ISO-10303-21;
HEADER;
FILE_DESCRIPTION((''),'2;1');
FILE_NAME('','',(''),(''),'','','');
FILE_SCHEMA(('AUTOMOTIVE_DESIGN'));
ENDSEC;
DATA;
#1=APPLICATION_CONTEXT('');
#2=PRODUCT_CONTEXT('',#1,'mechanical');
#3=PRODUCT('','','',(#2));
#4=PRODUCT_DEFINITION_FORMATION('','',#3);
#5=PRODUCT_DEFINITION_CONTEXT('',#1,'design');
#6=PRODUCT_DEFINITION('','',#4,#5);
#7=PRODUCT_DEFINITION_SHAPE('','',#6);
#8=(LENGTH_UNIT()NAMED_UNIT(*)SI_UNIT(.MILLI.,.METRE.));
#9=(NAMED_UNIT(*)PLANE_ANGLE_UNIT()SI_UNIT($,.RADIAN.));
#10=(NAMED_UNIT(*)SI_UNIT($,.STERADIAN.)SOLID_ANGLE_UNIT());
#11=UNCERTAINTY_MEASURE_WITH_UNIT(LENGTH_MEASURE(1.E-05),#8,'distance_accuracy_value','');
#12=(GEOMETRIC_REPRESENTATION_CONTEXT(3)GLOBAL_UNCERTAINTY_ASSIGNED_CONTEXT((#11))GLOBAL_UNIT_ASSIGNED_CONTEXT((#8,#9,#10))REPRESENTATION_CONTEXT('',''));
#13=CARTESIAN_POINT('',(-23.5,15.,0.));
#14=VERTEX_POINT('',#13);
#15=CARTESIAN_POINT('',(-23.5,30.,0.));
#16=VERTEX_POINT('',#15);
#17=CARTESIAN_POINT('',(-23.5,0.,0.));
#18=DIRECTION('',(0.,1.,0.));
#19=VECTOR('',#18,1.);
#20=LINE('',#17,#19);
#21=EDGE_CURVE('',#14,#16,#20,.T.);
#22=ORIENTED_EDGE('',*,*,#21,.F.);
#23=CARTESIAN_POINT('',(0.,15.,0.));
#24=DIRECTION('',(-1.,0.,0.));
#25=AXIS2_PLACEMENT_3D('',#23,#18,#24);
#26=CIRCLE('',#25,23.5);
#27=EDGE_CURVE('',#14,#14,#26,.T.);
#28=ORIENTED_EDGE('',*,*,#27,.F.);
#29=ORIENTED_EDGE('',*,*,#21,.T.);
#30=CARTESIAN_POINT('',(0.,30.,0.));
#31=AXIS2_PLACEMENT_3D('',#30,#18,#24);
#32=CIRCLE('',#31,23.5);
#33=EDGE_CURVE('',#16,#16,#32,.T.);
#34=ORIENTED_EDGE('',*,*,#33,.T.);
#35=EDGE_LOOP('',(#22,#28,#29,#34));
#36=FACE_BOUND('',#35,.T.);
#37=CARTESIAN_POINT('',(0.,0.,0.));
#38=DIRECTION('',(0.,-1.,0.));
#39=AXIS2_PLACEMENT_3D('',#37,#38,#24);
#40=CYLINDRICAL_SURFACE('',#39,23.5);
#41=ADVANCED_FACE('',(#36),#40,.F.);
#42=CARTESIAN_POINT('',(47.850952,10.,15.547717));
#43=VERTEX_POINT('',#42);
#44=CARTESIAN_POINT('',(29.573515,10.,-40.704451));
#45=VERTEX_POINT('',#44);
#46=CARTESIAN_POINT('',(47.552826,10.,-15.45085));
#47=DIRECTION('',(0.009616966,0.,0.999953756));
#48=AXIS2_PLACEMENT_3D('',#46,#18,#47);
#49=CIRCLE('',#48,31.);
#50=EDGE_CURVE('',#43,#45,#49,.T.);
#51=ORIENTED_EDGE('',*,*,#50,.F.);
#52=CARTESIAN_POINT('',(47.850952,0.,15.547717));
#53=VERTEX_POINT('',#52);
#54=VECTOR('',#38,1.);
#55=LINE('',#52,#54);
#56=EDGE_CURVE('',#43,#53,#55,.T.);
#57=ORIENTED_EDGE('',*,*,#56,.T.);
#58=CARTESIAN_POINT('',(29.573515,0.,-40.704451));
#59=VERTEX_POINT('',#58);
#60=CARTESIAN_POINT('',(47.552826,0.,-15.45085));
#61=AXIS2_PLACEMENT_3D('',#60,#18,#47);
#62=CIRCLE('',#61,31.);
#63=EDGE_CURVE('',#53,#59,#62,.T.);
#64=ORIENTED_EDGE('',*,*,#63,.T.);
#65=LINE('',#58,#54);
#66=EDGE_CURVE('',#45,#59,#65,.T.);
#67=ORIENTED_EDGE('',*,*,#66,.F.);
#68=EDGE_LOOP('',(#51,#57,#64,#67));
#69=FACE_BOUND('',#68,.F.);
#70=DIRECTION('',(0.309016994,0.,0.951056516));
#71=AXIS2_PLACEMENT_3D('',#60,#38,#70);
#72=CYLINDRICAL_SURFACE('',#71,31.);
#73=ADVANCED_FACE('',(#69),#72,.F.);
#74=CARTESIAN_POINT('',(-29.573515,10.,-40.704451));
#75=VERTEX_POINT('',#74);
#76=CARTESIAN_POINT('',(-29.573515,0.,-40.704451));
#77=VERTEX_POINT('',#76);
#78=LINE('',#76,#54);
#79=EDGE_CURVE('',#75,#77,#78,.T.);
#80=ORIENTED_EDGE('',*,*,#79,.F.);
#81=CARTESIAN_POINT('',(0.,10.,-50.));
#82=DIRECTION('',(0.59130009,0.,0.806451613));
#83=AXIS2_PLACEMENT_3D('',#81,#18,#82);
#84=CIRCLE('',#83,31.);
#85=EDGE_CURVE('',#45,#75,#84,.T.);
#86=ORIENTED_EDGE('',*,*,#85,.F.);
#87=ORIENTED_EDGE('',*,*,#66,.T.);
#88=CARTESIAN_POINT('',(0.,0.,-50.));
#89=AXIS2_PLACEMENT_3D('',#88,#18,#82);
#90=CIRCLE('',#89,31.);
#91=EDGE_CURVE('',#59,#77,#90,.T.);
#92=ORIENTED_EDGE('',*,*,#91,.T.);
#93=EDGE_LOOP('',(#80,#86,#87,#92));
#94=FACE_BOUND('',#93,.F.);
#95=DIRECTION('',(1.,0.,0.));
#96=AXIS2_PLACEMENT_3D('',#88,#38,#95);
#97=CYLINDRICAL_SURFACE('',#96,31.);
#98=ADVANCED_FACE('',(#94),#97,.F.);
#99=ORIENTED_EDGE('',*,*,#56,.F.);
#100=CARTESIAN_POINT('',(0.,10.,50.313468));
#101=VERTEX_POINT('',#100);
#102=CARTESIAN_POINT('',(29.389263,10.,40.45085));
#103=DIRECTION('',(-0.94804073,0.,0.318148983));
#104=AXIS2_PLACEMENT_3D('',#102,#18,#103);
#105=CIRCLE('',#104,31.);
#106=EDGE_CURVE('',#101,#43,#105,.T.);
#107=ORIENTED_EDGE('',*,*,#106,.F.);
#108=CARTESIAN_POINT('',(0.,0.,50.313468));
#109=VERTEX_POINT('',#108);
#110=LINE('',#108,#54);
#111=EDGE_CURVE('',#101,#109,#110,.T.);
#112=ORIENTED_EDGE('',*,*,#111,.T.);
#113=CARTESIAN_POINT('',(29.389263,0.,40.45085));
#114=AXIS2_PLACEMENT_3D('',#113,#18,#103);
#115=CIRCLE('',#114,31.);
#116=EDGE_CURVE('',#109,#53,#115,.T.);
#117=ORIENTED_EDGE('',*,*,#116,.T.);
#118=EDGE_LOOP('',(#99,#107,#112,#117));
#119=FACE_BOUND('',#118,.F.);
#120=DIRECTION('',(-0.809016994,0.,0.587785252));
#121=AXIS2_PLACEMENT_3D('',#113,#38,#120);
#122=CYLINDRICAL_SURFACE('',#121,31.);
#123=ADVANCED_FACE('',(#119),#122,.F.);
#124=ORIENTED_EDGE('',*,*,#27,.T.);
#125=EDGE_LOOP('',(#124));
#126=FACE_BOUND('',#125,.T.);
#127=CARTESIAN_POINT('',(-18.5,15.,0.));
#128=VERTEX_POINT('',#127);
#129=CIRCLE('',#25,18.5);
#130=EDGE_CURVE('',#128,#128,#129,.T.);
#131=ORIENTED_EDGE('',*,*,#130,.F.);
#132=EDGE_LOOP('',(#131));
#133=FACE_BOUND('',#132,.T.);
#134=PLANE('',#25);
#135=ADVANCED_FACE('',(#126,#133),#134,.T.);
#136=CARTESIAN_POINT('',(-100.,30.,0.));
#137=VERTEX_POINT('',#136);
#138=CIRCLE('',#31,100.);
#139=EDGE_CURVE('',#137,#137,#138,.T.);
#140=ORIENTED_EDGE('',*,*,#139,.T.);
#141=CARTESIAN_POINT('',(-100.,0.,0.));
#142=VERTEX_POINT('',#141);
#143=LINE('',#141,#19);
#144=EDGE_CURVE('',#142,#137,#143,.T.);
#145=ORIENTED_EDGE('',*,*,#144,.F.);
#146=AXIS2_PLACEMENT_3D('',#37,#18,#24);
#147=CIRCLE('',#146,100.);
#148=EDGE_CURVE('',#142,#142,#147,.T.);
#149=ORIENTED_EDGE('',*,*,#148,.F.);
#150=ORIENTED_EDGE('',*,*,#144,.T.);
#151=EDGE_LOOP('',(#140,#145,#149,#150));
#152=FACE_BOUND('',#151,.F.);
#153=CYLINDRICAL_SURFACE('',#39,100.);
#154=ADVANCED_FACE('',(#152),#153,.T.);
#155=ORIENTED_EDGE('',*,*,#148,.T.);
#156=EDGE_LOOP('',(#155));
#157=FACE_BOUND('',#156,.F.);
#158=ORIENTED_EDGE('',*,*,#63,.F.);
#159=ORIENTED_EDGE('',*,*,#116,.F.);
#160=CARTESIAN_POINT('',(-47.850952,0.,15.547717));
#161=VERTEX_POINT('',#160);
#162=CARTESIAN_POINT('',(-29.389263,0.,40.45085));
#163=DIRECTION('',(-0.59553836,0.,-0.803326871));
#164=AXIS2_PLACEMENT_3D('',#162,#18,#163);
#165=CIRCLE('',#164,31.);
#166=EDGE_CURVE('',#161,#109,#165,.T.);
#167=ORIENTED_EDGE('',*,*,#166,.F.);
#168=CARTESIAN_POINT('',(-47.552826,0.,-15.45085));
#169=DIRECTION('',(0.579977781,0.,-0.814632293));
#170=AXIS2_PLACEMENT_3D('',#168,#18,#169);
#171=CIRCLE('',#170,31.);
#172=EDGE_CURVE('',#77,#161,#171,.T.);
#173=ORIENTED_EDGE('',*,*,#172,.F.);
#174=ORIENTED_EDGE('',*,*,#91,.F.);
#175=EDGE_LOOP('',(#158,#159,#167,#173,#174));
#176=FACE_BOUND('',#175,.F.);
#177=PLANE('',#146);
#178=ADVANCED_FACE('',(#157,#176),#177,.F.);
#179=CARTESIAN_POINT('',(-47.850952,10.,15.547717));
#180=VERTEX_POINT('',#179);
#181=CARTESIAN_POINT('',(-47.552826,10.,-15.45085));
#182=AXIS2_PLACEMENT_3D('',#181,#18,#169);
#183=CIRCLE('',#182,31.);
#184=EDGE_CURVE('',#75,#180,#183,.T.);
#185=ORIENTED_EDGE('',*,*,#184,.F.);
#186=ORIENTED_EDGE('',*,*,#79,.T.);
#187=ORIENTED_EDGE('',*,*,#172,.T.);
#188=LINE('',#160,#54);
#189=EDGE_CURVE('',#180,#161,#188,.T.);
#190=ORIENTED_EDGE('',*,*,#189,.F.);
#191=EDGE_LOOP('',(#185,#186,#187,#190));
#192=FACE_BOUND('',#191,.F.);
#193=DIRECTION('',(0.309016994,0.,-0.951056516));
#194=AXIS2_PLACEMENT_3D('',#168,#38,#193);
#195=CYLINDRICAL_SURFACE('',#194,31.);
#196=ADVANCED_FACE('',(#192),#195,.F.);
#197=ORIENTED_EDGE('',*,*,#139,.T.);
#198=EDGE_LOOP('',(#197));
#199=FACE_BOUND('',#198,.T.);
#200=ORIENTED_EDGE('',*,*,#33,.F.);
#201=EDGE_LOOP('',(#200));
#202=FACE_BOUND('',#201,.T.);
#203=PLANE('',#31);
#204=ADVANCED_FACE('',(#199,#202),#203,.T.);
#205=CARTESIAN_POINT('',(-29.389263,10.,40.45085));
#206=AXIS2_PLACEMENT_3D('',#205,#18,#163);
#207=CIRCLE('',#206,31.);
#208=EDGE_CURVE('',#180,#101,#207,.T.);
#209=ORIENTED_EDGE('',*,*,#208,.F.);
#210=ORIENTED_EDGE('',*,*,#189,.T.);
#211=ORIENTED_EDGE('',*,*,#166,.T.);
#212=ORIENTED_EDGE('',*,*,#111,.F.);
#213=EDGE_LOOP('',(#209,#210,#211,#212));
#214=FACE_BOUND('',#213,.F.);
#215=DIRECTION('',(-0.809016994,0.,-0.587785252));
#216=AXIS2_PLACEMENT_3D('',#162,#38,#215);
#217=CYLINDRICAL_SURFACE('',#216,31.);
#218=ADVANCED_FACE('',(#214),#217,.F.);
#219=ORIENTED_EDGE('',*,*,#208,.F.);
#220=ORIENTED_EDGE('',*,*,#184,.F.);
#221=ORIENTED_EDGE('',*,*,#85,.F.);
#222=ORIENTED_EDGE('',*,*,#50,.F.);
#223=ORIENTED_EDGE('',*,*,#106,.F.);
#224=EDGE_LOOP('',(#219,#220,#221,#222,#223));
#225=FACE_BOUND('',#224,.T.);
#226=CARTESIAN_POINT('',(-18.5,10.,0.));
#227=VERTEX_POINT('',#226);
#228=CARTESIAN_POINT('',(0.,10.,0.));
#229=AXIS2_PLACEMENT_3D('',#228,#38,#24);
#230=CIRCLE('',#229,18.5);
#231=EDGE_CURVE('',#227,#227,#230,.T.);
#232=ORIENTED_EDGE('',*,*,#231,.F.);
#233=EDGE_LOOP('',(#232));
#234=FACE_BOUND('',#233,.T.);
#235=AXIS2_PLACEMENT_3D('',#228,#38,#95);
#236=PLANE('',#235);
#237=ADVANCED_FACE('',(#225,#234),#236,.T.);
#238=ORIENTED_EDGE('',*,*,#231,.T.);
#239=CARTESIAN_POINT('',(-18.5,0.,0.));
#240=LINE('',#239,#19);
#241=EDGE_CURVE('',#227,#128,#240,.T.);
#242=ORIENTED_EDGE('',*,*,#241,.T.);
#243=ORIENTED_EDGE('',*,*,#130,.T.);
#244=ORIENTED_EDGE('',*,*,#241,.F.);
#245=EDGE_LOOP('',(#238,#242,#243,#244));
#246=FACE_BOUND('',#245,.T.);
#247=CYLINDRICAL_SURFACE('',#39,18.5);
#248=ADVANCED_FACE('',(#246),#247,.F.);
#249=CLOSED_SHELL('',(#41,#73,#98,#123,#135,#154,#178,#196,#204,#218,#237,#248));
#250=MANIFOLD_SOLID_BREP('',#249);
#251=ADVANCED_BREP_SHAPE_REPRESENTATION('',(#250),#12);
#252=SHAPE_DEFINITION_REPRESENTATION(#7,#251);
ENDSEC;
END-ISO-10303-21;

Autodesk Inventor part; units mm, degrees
ref_plane "YZ Plane" through (0, 0, 0) normal (1, 0, 0) x (0, 1, 0)
ref_plane "XZ Plane" through (0, 0, 0) normal (0, 1, 0) x (-1, 0, 0)
ref_plane "XY Plane" through (0, 0, 0) normal (0, 0, 1) x (1, 0, 0)
sketch "Sketch1" plane through (0, 0, 0) normal (0, 1, 0) x (-1, 0, 0)
  circle A0 centre (0, 0) radius 10 construction
  circle A1 centre (0, 0) radius 23.5
  circle A2 centre (0, 0) radius 100
  circle A3 centre (0, 0) radius 18.5
  dimension "d0" = 20
  dimension "d1" = 47
  dimension "d2" = 200
  dimension "d3" = 37
extrude "Extrusion1" add sketch "Sketch1" along normal blind 30 contours A2
extrude "Extrusion2" add sketch "Sketch1" along normal blind 15 contours A1
sketch "Sketch2" plane through (0, 0, 0) normal (0, -1, 0) x (1, 0, 0)
  circle A0 centre (0, 0) radius 25 construction
  circle A1 centre (0, -50) radius 25 construction
  circle A2 centre (0, 0) radius 31
  circle A3 centre (0, -50) radius 31
  dimension "dp" = 50
  dimension "d9" = 50
  dimension "d10" = 62
  dimension "d11" = 62
extrude "Extrusion3" cut sketch "Sketch2" against normal blind 10 contours A2 A3 | A3 A2 picked at (0.2237, 14.1835) picked at (-2.1631, -26.7711)
extrude "Extrusion4" cut sketch "Sketch2" against normal blind 10 contours A3 A2 | A2 A3 picked at (-2.1631, -26.7711) picked at (0.2237, -64.1835)
pattern_circular "Circular Pattern1" count 5 over 360 about axis through (0, 0, 0) along (0, 1, 0) of "Extrusion4"
equation "\"d9\" = dp"
equation "\"d11\" = d10"
equation "\"d14\" = d12"
equation "\"modul\" = 2"
equation "\"d12\" = 10"
properties part number "TERMINAL-GEAR-BASE"
